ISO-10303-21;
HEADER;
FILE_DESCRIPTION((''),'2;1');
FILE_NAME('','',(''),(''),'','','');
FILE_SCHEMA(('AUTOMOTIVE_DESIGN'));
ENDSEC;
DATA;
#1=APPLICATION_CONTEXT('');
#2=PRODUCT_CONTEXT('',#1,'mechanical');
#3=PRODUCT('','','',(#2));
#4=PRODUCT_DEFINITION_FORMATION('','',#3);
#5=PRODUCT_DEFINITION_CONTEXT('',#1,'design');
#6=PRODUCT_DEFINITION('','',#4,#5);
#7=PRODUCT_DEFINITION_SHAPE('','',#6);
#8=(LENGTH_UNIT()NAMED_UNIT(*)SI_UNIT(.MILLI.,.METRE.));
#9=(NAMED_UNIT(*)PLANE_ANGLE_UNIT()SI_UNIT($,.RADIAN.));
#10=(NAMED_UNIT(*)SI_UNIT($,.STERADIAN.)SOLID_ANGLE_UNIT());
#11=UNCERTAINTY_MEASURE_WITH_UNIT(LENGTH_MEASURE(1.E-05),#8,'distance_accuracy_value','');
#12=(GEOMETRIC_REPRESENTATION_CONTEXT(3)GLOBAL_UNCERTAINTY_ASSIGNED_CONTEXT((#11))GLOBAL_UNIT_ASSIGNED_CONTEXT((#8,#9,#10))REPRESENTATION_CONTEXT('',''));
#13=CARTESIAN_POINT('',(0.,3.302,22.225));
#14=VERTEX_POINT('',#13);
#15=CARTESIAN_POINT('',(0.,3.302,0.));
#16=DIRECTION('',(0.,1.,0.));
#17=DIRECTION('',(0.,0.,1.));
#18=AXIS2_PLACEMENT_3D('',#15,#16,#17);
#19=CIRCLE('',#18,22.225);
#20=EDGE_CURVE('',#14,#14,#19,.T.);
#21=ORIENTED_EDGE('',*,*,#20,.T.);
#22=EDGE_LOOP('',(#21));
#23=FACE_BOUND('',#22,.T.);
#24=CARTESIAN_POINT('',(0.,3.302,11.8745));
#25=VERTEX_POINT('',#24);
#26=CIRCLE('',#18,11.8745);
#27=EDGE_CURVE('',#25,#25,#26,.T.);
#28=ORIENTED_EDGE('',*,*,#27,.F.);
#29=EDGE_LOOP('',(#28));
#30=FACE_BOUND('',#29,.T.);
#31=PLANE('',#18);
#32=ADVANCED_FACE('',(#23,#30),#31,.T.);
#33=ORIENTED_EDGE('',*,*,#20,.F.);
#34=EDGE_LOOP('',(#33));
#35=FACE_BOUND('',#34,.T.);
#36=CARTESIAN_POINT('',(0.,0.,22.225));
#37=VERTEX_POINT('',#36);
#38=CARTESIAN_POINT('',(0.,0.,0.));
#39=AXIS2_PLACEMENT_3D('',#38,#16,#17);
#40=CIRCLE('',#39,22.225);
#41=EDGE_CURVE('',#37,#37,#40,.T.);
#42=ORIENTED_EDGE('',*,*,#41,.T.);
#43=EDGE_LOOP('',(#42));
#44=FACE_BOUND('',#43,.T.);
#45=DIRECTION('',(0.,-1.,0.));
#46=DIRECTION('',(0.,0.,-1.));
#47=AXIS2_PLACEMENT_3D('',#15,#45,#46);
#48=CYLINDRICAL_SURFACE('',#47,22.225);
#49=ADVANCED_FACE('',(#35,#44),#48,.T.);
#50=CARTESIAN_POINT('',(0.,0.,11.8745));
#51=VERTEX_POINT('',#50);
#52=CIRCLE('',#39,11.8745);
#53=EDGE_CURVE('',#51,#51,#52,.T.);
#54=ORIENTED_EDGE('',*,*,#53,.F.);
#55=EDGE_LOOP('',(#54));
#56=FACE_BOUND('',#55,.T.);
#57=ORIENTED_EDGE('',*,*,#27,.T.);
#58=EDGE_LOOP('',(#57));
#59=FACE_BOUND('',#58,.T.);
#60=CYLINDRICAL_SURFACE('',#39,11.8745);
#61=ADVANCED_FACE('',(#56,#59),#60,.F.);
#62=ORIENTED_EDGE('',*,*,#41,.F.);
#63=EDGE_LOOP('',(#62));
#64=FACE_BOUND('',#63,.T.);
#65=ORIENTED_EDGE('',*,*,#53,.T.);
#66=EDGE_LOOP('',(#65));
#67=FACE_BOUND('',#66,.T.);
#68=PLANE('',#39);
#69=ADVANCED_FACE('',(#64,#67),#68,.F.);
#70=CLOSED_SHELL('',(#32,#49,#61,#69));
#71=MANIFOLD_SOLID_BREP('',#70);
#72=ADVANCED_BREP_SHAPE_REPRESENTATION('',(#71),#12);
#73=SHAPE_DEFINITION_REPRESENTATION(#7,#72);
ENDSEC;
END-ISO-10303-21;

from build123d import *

# Parameters (mm, degrees)
SKETCH1_R           = 22.225
BOSS_EXTRUDE1_DEPTH = 3.302
SKETCH5_R           = 11.8745
CUT_EXTRUDE1_DEPTH  = 4.302


with BuildPart() as part:
    # Sketch1 → Boss-Extrude1 (new body)
    with BuildSketch(Plane(origin=(0, 0, 0), x_dir=(1, 0, 0), z_dir=(0, 1, 0))):
        Circle(SKETCH1_R)
    extrude(amount=BOSS_EXTRUDE1_DEPTH)

    # Sketch5 → Cut-Extrude1 (cut, through all)
    with BuildSketch(Plane(origin=(0, 3.302, 0), x_dir=(-1, 0, 0), z_dir=(0, 1, 0))):
        Circle(SKETCH5_R)
    extrude(amount=-CUT_EXTRUDE1_DEPTH, mode=Mode.SUBTRACT)


solid = part.part
